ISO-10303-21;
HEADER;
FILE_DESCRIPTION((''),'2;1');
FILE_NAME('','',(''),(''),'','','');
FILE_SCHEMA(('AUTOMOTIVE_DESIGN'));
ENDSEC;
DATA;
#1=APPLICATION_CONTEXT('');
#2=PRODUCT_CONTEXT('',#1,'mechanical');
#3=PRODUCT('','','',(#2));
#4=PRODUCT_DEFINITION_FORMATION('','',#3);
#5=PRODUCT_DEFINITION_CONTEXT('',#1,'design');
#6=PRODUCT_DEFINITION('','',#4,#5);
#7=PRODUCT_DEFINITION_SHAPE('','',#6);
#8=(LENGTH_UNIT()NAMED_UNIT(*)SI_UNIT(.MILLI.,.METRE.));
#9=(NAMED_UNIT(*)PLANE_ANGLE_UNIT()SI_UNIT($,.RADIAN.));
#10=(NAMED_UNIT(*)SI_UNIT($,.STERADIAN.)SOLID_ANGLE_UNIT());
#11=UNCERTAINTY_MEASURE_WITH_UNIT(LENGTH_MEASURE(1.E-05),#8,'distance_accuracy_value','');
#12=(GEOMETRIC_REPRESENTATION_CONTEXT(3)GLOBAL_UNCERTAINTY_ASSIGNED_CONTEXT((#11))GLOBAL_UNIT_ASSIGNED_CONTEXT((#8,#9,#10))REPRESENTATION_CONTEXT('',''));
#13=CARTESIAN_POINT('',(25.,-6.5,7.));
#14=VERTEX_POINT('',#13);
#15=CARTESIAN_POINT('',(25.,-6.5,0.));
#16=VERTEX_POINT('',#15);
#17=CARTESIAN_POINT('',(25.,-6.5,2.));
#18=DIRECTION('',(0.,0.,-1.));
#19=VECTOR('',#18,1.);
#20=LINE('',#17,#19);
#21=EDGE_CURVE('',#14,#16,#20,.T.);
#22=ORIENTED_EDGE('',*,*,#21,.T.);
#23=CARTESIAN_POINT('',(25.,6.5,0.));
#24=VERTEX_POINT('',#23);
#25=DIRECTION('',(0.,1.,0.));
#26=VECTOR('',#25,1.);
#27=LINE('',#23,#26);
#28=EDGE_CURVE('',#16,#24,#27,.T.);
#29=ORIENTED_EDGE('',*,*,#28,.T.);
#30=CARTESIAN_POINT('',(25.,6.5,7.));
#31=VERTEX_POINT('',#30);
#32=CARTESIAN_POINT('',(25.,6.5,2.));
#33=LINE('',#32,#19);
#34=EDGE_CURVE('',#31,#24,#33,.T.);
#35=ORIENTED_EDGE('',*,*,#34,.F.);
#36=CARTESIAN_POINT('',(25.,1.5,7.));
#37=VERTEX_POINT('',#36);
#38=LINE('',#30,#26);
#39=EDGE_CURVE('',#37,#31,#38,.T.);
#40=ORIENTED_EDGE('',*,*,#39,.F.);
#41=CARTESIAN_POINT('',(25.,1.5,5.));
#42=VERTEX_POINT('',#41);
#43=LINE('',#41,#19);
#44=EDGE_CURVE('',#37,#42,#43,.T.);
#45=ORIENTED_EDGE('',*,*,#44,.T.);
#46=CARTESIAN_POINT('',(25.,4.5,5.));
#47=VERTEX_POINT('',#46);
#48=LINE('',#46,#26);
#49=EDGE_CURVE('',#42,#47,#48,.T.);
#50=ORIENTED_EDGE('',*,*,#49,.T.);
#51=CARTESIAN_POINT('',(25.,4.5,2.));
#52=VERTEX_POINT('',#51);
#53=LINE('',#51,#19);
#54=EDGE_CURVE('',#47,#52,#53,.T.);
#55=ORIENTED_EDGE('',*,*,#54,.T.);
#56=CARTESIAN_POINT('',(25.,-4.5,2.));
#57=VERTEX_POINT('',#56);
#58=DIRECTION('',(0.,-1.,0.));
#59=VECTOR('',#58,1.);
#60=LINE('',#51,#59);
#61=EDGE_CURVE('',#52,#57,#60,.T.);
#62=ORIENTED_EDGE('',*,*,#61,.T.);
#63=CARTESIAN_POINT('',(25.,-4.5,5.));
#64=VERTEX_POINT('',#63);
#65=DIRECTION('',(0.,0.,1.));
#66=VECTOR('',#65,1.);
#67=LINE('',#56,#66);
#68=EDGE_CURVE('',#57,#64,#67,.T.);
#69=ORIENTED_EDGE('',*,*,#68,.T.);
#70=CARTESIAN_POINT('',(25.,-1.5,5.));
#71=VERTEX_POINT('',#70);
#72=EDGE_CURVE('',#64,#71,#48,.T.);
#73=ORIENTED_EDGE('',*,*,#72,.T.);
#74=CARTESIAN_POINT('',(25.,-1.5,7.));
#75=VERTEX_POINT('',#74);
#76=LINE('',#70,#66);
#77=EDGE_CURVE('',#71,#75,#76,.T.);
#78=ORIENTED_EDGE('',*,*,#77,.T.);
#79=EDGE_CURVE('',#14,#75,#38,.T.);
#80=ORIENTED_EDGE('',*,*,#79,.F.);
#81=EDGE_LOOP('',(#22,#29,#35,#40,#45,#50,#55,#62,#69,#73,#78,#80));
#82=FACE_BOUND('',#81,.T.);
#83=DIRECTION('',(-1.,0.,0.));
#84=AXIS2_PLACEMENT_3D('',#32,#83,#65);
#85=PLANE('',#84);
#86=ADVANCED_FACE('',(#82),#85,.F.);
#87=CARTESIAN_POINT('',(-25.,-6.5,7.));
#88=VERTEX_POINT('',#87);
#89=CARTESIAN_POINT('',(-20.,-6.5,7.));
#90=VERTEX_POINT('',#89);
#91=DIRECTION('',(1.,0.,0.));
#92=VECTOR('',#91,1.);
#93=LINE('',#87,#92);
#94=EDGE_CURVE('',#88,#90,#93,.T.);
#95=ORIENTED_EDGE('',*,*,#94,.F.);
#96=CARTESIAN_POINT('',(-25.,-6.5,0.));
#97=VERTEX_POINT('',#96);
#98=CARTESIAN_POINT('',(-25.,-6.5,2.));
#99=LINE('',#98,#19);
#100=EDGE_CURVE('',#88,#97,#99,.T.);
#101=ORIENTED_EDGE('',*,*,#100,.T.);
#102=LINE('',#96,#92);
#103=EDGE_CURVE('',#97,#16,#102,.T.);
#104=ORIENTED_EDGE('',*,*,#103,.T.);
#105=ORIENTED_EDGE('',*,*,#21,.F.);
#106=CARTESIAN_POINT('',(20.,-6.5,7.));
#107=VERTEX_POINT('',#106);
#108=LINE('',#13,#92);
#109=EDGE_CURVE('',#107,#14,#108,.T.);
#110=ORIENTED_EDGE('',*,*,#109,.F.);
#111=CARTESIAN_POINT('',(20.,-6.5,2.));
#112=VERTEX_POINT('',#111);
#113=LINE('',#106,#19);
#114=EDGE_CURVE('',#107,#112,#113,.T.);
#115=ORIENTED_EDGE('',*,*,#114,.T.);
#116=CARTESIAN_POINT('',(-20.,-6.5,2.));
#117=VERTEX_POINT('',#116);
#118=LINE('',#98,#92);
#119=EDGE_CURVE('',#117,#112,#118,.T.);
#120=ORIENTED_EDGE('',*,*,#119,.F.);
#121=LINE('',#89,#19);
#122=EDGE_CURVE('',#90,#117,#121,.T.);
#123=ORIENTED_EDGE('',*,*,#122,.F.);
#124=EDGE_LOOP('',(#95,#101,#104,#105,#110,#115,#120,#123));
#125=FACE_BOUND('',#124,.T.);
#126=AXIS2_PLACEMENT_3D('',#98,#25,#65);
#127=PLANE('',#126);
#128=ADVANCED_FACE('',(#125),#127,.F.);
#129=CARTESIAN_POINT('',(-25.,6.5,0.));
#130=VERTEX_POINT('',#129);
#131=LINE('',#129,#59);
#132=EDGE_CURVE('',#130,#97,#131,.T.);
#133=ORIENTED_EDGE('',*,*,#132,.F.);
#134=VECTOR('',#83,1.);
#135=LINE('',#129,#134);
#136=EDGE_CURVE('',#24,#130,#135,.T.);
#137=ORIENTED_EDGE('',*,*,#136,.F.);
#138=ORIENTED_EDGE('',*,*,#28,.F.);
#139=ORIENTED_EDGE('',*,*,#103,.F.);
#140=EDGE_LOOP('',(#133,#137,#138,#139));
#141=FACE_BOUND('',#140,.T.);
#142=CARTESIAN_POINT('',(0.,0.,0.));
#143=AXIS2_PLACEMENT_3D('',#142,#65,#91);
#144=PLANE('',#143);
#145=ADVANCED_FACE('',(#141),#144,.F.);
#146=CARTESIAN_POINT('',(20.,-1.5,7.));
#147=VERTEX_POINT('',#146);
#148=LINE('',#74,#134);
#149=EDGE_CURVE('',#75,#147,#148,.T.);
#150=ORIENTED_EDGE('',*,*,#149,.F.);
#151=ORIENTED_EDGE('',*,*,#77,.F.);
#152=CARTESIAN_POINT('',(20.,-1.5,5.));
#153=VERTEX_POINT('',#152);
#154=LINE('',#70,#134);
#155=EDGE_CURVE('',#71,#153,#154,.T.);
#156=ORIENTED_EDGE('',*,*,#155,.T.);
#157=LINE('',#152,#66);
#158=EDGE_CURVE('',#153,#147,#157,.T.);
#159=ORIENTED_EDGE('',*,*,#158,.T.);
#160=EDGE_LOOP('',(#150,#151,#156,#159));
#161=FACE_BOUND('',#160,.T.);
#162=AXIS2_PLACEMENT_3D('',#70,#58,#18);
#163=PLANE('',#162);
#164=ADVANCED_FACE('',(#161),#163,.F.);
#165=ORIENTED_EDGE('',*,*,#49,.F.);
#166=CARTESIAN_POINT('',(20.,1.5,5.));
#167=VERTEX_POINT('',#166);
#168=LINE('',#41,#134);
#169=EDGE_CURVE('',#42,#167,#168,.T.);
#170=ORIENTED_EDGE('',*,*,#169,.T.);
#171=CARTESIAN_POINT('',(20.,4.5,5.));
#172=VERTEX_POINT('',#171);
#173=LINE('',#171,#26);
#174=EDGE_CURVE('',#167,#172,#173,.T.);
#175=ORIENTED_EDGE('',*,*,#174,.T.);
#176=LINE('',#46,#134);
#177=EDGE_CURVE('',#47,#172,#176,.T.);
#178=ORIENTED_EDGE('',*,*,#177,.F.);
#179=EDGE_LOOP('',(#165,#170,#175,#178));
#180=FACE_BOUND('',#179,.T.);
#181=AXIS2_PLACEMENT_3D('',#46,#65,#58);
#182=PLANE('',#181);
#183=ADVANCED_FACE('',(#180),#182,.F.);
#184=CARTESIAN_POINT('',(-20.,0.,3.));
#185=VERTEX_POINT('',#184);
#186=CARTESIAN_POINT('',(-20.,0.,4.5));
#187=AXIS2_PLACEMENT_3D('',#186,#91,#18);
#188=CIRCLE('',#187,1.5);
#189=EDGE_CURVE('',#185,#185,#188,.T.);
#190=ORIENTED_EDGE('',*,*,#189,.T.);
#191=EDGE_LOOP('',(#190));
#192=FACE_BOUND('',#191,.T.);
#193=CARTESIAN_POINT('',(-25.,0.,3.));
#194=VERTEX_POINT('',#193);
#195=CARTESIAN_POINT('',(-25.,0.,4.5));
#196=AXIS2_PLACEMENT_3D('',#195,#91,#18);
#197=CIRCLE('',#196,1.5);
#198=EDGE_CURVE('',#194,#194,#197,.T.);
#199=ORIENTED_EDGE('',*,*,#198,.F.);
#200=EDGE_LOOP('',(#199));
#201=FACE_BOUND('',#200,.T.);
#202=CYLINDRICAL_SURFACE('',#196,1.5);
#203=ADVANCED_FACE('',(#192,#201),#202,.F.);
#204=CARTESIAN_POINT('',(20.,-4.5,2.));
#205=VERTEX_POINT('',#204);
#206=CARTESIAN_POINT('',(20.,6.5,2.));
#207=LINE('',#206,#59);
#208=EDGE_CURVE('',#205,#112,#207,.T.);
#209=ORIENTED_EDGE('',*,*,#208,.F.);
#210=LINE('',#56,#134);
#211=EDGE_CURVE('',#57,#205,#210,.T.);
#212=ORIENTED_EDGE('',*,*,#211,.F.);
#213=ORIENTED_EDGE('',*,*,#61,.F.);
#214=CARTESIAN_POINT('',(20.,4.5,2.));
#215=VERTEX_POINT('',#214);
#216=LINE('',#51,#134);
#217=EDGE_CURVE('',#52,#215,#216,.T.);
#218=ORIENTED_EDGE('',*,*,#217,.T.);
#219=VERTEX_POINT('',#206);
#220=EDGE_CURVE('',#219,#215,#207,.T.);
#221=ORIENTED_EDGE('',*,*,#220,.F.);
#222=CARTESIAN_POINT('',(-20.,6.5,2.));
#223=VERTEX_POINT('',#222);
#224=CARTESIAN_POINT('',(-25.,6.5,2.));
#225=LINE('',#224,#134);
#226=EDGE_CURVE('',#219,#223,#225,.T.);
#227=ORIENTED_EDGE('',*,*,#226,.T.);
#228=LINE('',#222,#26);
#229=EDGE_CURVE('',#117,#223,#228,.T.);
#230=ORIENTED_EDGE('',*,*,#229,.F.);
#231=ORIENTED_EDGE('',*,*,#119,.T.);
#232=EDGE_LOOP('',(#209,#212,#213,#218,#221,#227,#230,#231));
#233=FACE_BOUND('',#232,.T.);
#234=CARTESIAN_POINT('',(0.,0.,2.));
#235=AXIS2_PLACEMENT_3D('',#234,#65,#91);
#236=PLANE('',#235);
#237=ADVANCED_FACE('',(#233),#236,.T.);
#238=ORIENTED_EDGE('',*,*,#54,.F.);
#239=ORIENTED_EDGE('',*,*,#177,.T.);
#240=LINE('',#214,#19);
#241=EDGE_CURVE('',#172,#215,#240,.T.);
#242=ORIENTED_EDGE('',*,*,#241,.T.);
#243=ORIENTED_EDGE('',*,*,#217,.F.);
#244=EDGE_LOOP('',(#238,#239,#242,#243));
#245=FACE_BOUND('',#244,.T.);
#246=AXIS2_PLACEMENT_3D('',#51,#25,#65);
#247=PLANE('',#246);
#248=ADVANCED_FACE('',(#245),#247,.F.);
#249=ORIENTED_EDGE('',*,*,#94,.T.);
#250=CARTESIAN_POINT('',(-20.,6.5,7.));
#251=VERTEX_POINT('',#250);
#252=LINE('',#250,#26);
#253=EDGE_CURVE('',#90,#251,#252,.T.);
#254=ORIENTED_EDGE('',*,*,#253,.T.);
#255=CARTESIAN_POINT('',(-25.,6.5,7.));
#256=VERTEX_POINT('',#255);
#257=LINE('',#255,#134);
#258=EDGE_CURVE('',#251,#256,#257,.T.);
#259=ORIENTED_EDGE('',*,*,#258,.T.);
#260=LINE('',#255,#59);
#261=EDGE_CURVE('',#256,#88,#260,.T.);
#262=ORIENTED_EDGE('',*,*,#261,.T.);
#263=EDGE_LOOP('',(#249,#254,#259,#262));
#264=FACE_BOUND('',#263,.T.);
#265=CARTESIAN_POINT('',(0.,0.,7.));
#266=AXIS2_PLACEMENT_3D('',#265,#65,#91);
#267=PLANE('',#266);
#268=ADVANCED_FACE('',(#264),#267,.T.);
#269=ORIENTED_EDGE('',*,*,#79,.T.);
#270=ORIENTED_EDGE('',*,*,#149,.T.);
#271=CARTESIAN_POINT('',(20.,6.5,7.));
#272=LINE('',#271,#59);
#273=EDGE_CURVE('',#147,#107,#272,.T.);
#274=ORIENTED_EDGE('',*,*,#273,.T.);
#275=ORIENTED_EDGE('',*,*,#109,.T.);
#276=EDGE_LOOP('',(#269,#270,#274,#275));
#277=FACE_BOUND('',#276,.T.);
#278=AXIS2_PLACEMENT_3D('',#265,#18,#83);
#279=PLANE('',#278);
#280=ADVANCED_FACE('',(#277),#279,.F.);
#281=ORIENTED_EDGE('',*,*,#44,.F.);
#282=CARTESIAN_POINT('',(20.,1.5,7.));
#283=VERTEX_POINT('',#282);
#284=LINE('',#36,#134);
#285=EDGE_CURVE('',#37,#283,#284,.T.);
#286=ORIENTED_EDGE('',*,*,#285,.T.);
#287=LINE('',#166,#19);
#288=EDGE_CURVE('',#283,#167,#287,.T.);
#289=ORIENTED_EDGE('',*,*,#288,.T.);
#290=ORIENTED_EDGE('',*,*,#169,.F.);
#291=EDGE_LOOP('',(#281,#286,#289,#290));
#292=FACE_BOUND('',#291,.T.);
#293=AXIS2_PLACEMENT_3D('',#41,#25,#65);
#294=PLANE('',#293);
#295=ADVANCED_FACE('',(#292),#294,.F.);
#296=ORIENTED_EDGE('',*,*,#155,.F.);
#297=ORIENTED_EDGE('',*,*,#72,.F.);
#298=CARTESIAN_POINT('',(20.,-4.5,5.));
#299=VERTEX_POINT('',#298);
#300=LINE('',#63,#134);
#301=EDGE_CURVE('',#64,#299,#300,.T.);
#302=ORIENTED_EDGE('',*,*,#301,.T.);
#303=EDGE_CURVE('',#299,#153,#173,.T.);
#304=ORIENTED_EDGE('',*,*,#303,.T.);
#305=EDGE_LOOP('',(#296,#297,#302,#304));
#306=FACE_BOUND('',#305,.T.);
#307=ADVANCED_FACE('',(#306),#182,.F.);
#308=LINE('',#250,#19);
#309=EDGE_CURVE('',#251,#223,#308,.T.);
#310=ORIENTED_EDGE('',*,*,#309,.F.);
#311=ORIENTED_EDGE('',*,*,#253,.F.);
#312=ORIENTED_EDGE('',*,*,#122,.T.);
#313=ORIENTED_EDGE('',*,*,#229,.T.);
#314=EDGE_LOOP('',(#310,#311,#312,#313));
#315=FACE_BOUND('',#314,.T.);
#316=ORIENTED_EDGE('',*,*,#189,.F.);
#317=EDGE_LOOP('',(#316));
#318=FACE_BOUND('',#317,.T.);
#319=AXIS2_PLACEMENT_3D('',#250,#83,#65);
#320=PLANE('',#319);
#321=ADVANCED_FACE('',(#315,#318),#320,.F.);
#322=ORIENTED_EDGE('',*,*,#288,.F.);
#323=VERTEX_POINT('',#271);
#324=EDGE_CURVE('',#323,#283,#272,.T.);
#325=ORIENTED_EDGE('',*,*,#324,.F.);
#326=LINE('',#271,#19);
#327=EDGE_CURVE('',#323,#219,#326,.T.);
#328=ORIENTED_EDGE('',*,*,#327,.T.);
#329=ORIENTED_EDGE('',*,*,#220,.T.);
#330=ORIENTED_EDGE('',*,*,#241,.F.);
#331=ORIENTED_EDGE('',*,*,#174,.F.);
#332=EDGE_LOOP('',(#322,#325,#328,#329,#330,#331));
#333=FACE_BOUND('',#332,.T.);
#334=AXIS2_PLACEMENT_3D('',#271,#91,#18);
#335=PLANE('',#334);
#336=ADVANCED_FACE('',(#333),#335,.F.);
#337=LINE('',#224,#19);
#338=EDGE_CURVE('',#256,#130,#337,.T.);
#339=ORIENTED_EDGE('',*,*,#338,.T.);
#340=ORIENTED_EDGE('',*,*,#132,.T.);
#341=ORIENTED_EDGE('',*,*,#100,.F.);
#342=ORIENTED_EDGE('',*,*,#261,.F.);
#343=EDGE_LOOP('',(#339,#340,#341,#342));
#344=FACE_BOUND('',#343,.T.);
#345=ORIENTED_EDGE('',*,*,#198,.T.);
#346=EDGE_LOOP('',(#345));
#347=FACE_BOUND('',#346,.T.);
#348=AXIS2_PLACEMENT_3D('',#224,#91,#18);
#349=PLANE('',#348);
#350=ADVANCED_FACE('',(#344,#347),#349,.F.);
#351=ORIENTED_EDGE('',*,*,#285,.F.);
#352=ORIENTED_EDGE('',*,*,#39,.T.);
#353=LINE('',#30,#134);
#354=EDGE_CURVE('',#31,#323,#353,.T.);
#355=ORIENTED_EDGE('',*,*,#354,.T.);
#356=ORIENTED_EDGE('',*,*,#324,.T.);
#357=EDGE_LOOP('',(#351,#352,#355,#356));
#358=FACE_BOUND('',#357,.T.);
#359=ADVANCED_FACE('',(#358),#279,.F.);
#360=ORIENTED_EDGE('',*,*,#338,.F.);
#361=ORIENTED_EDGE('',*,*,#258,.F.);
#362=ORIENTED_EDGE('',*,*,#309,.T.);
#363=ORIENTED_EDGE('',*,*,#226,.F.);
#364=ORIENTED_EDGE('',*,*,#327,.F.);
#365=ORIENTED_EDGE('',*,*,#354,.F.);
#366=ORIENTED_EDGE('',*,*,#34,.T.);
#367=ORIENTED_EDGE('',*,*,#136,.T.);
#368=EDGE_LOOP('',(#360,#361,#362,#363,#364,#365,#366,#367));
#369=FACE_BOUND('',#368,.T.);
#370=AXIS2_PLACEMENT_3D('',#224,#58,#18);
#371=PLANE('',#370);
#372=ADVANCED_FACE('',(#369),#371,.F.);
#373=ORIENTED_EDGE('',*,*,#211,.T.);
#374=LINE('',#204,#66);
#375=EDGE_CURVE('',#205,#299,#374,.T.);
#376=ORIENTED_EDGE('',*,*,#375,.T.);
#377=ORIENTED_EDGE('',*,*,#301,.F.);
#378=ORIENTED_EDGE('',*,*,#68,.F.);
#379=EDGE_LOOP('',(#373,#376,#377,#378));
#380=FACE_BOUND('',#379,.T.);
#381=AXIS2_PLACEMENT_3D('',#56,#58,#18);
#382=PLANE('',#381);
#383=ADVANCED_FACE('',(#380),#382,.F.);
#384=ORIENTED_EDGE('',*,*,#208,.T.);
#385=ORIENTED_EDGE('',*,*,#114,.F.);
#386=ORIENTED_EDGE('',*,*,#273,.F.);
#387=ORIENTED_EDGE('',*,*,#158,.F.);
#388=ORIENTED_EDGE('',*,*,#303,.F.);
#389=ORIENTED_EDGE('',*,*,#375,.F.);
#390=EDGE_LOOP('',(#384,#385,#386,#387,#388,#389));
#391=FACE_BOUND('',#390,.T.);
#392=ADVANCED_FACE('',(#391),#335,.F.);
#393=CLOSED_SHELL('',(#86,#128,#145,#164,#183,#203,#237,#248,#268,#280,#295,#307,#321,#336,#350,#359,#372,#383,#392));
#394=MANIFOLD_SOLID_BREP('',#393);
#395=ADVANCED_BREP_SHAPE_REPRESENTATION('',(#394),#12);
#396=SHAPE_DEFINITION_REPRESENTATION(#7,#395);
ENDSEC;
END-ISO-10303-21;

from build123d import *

# Parameters (mm, degrees)
SKETCH_1_W          = 50
SKETCH_1_H          = 13
EXTRUDE_4_DEPTH     = 2
SKETCH_6_W          = 5
SKETCH_6_H          = 13
EXTRUDE_5_DEPTH     = 5
SKETCH_7_R          = 1.5
CUT_EXTRUDE_2_DEPTH = 5
SKETCH_8_W          = 5
SKETCH_8_H          = 13
EXTRUDE_6_DEPTH     = 5
SKETCH_9_W          = 3
SKETCH_9_H          = 9
CUT_EXTRUDE_3_DEPTH = 5
SKETCH_10_W         = 2
SKETCH_10_H         = 3
CUT_EXTRUDE_4_DEPTH = 5


with BuildPart() as part:
    # Эскиз1 → Бобышка-Вытянуть4 (new body)
    with BuildSketch(Plane.XY):
        Rectangle(SKETCH_1_W, SKETCH_1_H)
    extrude(amount=EXTRUDE_4_DEPTH)

    # Эскиз6 → Бобышка-Вытянуть5 (add)
    with BuildSketch(Plane.XY.offset(2)):
        with Locations((-22.5, 0)):
            Rectangle(SKETCH_6_W, SKETCH_6_H)
    extrude(amount=EXTRUDE_5_DEPTH)

    # Эскиз7 → Вырез-Вытянуть2 (cut)
    with BuildSketch(Plane(origin=(-20, 0, 0), x_dir=(0, 0, -1), z_dir=(1, 0, 0))):
        with Locations((-4.5, 0)):
            Circle(SKETCH_7_R)
    extrude(amount=-CUT_EXTRUDE_2_DEPTH, mode=Mode.SUBTRACT)

    # Эскиз8 → Бобышка-Вытянуть6 (add)
    with BuildSketch(Plane.XY.offset(2)):
        with Locations((22.5, 0)):
            Rectangle(SKETCH_8_W, SKETCH_8_H)
    extrude(amount=EXTRUDE_6_DEPTH)

    # Эскиз9 → Вырез-Вытянуть3 (cut)
    with BuildSketch(Plane.ZY.offset(-20)):
        with Locations((3.5, 0)):
            Rectangle(SKETCH_9_W, SKETCH_9_H)
    extrude(amount=-CUT_EXTRUDE_3_DEPTH, mode=Mode.SUBTRACT)

    # Эскиз10 → Вырез-Вытянуть4 (cut)
    with BuildSketch(Plane.ZY.offset(-20)):
        with Locations((6, 0)):
            Rectangle(SKETCH_10_W, SKETCH_10_H)
    extrude(amount=-CUT_EXTRUDE_4_DEPTH, mode=Mode.SUBTRACT)


solid = part.part
